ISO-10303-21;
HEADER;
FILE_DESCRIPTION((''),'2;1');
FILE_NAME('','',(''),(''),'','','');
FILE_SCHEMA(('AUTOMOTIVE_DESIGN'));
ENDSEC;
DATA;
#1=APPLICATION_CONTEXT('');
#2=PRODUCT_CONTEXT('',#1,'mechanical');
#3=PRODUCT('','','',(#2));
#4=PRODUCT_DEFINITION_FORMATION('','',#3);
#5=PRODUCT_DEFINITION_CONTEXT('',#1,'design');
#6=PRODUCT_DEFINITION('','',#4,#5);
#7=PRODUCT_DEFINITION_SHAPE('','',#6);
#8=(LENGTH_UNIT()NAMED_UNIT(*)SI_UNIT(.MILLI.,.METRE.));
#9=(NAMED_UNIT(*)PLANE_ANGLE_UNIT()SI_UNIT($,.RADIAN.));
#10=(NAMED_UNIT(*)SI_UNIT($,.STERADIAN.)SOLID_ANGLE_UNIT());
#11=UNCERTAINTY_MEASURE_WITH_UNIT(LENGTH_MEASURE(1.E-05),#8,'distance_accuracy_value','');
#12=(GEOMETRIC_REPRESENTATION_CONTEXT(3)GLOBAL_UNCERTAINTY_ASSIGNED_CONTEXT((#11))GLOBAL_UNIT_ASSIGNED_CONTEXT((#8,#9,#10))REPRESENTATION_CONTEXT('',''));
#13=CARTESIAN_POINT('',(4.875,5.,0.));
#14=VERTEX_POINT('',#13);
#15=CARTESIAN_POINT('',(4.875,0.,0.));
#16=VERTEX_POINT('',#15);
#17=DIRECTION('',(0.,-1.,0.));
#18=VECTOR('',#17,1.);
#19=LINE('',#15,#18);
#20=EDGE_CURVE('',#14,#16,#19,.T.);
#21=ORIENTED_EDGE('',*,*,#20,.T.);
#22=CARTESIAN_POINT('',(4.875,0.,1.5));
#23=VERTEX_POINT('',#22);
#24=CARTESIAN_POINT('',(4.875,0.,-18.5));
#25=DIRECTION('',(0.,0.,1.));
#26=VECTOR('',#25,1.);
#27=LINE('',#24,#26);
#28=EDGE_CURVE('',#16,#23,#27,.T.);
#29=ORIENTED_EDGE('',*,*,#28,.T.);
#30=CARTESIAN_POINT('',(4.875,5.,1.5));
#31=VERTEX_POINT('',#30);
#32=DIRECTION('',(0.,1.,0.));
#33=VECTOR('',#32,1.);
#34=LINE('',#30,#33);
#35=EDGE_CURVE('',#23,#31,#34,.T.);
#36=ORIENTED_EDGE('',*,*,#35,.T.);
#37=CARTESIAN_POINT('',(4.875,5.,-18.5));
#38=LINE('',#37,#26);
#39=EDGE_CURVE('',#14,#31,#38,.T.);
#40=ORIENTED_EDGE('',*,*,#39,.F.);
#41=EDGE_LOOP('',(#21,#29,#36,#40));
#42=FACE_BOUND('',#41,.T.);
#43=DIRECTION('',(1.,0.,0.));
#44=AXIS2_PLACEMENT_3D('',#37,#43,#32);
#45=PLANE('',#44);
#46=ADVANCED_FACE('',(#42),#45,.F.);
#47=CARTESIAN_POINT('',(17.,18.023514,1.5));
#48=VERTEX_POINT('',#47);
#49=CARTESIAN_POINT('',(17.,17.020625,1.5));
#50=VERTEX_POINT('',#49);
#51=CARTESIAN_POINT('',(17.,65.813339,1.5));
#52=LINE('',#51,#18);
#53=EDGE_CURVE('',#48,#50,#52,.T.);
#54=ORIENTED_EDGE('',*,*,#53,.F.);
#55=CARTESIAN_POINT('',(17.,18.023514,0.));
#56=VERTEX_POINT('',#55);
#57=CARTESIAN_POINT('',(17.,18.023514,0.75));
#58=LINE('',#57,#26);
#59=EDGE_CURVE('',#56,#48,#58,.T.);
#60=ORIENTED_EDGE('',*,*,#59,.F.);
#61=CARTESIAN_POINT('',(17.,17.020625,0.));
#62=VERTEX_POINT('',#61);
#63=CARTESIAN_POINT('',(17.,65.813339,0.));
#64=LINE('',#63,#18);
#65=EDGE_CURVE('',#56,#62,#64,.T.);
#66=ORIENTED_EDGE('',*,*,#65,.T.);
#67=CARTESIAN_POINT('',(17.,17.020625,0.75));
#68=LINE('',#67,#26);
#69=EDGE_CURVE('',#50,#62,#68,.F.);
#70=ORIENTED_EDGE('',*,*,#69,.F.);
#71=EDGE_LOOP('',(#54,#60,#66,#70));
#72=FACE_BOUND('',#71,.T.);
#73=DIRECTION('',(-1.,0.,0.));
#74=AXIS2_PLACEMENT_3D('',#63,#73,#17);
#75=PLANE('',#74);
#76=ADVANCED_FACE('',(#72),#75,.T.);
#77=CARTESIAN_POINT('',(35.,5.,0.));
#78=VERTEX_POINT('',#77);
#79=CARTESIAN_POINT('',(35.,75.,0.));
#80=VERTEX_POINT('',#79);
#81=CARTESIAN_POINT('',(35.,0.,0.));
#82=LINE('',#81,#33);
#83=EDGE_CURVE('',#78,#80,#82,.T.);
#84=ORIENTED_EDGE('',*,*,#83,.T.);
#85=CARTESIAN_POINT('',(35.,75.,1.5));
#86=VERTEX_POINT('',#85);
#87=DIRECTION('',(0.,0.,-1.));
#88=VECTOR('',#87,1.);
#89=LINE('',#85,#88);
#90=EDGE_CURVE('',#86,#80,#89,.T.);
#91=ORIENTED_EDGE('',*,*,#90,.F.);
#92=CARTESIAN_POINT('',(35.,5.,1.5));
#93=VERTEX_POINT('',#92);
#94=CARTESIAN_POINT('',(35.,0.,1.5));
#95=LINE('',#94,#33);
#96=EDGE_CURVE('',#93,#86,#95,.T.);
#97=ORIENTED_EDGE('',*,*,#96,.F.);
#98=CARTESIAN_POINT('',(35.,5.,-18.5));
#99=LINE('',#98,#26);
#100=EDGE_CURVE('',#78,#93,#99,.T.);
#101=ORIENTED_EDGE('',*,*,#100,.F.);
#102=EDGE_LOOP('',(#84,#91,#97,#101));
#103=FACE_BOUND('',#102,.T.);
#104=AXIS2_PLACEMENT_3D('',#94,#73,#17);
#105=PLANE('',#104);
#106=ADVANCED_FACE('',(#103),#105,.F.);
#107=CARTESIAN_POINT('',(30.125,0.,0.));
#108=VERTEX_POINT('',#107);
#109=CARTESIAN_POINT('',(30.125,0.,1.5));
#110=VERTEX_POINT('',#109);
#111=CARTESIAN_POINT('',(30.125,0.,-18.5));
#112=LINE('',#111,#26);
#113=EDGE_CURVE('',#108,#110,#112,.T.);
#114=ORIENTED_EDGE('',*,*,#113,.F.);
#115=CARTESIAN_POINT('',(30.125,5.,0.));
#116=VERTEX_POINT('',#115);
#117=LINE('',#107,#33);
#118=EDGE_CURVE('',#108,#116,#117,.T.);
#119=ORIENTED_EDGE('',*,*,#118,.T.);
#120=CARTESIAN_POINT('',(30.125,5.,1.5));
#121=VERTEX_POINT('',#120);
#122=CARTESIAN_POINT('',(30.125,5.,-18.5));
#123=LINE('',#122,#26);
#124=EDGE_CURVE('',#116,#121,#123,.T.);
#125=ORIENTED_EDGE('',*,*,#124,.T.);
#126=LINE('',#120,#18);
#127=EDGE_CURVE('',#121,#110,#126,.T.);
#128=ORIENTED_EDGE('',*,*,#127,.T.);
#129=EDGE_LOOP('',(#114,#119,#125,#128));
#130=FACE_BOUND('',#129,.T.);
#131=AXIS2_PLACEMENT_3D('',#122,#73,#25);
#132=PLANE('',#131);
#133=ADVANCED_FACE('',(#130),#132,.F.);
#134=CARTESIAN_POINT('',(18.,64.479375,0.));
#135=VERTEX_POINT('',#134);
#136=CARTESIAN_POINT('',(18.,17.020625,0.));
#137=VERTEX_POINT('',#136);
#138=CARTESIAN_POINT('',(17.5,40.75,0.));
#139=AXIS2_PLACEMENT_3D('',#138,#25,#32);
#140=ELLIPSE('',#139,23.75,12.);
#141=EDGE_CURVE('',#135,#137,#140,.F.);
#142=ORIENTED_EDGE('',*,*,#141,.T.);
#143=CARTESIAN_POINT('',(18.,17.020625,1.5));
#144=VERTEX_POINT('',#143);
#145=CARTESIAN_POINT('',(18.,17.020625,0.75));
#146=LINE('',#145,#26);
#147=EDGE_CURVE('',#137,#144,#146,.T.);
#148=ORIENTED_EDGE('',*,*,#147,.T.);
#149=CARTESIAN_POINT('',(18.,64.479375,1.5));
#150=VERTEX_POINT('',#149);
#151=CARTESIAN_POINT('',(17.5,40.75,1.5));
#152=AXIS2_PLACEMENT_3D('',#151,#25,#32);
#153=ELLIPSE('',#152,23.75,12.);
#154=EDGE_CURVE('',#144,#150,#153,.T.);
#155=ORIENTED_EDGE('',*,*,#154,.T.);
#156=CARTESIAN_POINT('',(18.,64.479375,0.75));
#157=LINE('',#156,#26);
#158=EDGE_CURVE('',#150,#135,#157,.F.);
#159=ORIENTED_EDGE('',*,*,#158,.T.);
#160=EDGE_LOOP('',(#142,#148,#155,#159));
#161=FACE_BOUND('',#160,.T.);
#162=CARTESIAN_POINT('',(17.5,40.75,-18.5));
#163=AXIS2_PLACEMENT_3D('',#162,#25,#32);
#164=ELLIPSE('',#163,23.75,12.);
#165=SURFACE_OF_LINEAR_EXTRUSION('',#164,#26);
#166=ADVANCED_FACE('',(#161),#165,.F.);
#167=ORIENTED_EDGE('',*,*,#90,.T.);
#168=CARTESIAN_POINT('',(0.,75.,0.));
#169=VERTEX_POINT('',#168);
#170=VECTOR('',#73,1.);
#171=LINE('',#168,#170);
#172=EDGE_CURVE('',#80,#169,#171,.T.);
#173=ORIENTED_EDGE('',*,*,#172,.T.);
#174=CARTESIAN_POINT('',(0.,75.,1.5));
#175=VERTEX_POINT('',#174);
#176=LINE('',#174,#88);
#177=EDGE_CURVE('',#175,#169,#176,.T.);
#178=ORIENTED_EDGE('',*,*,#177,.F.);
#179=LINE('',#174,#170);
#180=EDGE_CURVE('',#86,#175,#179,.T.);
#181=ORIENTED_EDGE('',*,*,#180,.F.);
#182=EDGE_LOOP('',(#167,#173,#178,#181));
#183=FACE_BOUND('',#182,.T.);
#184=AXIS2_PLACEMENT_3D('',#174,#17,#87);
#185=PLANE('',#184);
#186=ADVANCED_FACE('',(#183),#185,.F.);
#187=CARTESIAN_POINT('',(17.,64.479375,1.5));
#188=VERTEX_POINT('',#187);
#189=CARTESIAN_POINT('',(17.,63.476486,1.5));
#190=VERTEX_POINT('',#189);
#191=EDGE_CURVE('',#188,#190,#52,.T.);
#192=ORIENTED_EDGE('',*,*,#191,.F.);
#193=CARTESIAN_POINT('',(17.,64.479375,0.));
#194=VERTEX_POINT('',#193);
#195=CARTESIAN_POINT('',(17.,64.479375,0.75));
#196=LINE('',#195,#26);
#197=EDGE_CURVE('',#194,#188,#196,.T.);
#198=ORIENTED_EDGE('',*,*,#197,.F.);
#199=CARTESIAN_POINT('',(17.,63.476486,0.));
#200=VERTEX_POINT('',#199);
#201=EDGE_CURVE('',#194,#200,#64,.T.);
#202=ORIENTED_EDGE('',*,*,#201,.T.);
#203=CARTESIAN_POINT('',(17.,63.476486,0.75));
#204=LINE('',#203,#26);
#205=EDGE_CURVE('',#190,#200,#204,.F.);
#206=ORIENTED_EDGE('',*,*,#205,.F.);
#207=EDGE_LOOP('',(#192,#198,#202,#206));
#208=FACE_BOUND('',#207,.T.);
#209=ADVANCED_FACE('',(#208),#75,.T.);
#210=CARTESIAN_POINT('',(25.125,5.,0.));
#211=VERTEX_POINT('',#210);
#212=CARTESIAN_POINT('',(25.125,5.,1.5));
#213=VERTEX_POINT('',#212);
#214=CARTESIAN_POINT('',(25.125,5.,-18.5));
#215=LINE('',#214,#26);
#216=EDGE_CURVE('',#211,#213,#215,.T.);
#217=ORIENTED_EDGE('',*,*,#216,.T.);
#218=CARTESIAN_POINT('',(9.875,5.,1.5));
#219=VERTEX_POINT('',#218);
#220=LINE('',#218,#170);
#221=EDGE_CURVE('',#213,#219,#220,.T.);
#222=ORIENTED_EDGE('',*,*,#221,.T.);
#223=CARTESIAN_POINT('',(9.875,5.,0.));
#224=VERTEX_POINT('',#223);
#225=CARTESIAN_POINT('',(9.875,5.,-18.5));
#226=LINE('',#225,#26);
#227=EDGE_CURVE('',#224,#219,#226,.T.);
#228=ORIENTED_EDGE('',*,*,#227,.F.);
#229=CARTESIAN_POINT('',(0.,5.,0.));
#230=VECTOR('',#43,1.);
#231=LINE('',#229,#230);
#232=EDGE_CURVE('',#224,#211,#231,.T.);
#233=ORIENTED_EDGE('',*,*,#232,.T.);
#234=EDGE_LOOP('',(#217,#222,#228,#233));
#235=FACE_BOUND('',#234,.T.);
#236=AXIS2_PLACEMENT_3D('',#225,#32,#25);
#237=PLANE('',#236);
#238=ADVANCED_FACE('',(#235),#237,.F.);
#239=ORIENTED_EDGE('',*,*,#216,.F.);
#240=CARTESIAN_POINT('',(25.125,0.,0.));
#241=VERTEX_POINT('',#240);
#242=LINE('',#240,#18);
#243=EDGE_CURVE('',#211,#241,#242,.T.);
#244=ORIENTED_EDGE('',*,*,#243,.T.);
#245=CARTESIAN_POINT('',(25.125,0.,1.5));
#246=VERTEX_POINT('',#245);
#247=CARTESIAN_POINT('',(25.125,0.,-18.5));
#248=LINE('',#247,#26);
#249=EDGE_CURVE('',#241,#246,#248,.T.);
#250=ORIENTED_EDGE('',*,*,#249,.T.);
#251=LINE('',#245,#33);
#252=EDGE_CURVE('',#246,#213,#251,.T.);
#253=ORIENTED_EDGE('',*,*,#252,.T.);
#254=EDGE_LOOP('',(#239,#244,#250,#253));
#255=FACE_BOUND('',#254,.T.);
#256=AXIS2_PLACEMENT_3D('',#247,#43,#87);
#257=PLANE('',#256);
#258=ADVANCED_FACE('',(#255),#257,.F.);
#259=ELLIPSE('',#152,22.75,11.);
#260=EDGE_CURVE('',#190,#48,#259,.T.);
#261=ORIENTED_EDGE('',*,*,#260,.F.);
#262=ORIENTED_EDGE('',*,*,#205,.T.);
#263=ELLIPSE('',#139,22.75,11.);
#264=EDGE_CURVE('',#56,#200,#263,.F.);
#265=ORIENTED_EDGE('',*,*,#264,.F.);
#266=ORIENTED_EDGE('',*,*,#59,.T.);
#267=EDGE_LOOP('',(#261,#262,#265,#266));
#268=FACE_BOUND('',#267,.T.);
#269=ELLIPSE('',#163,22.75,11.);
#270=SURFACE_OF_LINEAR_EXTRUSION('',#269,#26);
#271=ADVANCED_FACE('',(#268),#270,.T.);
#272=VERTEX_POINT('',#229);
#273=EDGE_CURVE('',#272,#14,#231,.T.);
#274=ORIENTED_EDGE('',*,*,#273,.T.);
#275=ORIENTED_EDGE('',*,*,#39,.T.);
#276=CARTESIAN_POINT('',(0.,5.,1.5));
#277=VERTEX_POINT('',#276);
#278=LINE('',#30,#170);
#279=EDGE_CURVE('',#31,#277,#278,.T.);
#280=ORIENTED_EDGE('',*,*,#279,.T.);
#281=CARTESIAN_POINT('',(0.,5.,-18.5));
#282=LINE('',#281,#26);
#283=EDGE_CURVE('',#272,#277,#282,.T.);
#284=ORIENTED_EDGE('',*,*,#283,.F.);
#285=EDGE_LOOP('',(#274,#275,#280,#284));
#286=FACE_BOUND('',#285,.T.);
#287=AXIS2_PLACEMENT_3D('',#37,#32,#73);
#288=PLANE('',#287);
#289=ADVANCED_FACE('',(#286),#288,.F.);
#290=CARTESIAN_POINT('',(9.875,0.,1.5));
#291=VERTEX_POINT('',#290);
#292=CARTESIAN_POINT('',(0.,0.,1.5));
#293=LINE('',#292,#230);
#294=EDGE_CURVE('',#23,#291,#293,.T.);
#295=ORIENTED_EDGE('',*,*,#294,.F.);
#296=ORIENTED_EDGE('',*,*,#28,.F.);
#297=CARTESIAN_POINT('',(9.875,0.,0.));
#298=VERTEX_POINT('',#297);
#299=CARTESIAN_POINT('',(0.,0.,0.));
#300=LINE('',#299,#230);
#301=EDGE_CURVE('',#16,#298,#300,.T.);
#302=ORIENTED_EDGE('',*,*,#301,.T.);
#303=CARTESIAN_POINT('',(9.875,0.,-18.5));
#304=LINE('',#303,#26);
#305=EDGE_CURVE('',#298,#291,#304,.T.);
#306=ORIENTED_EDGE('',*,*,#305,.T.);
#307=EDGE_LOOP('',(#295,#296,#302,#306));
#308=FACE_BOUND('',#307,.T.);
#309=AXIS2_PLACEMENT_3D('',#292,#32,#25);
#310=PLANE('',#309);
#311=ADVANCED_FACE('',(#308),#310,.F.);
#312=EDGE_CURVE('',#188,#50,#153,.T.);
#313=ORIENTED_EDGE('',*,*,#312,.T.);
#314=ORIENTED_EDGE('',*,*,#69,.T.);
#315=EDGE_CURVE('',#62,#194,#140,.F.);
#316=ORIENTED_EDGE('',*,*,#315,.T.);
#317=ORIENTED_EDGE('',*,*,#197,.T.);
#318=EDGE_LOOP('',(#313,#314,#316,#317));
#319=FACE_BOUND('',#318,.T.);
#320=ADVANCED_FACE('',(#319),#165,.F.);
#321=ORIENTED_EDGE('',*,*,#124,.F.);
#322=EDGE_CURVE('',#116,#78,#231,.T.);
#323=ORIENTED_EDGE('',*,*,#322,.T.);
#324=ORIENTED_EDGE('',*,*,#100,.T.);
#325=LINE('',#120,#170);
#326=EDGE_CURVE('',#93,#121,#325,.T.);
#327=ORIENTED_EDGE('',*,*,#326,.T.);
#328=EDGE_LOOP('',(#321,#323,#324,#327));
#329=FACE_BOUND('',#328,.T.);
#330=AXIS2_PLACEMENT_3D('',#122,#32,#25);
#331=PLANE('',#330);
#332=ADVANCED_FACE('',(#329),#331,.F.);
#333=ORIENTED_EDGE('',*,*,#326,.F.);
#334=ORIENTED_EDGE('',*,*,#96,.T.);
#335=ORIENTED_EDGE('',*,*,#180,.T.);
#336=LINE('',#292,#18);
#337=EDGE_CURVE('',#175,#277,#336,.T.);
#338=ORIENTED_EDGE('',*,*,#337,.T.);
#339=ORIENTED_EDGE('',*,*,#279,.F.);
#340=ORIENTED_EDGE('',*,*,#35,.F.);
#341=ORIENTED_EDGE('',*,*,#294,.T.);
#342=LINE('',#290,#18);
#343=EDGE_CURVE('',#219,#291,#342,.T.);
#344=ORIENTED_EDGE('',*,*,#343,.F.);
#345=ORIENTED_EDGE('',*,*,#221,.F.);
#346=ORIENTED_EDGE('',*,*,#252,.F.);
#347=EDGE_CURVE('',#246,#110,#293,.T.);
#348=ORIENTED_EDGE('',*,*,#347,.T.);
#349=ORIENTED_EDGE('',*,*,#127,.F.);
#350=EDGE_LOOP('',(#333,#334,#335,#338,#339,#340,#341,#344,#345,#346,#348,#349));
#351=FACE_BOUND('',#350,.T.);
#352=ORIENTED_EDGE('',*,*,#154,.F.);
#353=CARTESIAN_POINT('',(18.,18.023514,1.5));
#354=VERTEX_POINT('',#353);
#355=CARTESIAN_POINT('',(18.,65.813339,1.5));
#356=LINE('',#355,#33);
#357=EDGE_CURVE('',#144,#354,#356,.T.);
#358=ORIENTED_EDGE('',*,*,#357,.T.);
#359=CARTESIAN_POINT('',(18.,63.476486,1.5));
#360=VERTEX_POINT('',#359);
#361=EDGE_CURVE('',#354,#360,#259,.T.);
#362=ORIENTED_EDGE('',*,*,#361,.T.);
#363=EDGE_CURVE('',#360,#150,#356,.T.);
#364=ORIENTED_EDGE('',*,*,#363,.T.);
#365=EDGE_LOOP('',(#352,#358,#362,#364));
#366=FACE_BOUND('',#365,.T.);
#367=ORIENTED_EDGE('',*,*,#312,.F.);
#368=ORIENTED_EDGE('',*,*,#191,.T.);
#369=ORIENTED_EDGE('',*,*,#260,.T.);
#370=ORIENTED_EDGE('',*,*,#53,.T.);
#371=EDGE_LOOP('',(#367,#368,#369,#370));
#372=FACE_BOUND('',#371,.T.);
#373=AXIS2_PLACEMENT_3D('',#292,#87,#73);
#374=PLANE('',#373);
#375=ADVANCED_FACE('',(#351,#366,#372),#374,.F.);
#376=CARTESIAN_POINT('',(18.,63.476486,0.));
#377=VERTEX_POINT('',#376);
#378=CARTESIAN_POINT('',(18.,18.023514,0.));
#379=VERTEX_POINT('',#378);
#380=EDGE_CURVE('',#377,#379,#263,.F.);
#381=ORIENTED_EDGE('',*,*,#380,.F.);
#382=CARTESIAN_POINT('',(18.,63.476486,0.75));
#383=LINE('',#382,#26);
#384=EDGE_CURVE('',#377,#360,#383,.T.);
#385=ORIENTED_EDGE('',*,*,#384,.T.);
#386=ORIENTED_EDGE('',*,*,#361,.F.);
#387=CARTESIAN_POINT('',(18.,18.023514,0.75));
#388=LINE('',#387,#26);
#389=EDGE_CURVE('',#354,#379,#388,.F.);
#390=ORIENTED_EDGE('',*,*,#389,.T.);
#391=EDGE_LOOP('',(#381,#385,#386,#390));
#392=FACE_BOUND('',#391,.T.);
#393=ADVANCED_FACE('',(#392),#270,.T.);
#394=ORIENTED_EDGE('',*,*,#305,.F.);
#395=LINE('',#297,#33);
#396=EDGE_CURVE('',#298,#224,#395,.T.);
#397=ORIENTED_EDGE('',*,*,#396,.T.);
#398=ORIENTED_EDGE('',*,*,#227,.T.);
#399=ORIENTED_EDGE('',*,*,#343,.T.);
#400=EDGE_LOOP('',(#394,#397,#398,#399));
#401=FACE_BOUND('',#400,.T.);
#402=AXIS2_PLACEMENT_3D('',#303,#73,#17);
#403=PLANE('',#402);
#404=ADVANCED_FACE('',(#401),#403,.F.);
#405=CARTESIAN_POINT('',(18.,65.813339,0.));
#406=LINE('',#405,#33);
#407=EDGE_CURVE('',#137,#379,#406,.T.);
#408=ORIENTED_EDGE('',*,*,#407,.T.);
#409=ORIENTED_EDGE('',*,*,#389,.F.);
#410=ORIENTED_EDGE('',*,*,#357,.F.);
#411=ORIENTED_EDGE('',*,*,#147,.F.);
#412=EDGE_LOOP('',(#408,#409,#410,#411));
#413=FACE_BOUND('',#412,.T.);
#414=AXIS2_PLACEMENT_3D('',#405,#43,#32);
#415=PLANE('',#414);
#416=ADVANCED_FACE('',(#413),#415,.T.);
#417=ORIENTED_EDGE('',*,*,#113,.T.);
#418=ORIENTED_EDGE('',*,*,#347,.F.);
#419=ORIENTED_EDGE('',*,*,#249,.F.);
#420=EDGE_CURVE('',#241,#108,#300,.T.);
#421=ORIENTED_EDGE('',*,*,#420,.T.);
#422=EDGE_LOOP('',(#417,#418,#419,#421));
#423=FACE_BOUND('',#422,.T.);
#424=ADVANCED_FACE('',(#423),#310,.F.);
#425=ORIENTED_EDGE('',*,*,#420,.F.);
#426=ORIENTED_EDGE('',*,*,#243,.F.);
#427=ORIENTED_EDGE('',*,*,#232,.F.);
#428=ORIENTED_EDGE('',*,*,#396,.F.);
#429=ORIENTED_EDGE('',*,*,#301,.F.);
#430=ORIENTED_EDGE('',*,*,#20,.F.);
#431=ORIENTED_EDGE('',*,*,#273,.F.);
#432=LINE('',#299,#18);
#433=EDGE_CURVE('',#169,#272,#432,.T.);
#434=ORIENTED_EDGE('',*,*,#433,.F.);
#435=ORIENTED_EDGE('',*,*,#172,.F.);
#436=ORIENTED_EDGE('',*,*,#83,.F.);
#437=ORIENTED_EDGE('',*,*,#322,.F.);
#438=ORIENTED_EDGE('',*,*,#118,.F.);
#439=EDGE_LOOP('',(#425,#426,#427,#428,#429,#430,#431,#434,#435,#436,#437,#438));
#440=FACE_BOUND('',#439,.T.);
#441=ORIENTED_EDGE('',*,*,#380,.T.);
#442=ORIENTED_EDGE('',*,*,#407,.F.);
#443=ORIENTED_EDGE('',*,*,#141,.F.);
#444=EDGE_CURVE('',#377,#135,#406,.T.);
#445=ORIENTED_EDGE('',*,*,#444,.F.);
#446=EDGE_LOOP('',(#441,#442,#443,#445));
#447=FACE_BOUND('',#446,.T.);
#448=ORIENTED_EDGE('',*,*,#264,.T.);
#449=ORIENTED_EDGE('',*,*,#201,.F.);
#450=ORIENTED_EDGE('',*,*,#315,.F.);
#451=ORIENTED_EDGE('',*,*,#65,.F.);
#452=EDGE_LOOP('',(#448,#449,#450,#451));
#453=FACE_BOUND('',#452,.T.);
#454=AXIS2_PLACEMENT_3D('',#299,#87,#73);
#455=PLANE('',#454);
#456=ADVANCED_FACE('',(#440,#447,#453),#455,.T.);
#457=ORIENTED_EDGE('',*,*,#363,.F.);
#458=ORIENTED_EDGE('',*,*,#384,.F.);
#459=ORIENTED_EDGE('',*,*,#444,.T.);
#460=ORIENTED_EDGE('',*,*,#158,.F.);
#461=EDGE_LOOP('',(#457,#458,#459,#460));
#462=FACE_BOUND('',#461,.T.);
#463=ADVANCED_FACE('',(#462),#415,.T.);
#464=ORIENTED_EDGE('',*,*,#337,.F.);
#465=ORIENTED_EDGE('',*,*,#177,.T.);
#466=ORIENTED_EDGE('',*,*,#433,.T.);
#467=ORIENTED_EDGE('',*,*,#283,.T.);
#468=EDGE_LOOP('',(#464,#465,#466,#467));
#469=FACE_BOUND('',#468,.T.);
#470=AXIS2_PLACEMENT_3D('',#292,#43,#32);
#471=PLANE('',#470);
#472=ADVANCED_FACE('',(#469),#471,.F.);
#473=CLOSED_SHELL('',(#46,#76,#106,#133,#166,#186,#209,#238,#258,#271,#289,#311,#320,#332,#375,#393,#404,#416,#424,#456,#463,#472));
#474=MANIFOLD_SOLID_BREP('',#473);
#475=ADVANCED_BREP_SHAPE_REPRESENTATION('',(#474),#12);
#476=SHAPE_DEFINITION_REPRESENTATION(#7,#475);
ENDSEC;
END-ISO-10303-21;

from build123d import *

# Parameters (mm, degrees)
SKIZZE1_W                        = 35
SKIZZE1_H                        = 75
AUFSATZ_LINEAR_AUSTRAGEN1_DEPTH  = 1.5
SKIZZE3_W                        = 15.25
SKIZZE3_H                        = 5
SKIZZE3_W_2                      = 4.875
SCHNITT_LINEAR_AUSTRAGEN12_DEPTH = 20
SKIZZE4_RX                       = 23.75
SKIZZE4_RY                       = 12
SKIZZE4_RX_2                     = 22.75
SKIZZE4_RY_2                     = 11
SCHNITT_LINEAR_AUSTRAGEN13_DEPTH = 20
SKIZZE6_W                        = 1
SKIZZE6_H                        = 52.800334248
AUFSATZ_LINEAR_AUSTRAGEN4_DEPTH  = 1.5


with BuildPart() as part:
    # Skizze1 → Aufsatz-Linear austragen1 (new body)
    with BuildSketch(Plane.XY):
        with Locations((17.5, 37.5)):
            Rectangle(SKIZZE1_W, SKIZZE1_H)
    extrude(amount=AUFSATZ_LINEAR_AUSTRAGEN1_DEPTH)

    # Skizze3 → Schnitt-Linear austragen12 (cut)
    with BuildSketch(Plane.XY.offset(1.5)):
        with Locations((17.5, 2.5)):
            Rectangle(SKIZZE3_W, SKIZZE3_H)
        with Locations((32.5625, 2.5)):
            Rectangle(SKIZZE3_W_2, SKIZZE3_H)
        with Locations((2.4375, 2.5)):
            Rectangle(SKIZZE3_W_2, SKIZZE3_H)
    extrude(amount=-SCHNITT_LINEAR_AUSTRAGEN12_DEPTH, mode=Mode.SUBTRACT)

    # Skizze4 → Schnitt-Linear austragen13 (cut)
    with BuildSketch(Plane.XY.offset(1.5)):
        with Locations(Location((17.5, 40.75), (0, 0, 90))):
            Ellipse(SKIZZE4_RX, SKIZZE4_RY)
        with Locations(Location((17.5, 40.75), (0, 0, 90))):
            Ellipse(SKIZZE4_RX_2, SKIZZE4_RY_2, mode=Mode.SUBTRACT)
    extrude(amount=-SCHNITT_LINEAR_AUSTRAGEN13_DEPTH, mode=Mode.SUBTRACT)


with BuildPart() as schnitt_linear_austragen13_piece_1:
    # of the separate pieces the step leaves, piece 1, a body of its own (schnitt_linear_austragen13_pieces)
    add(part.part.solids().sort_by_distance((4.875, 0, 0))[0])



with BuildPart() as schnitt_linear_austragen13_piece_2:
    # of the separate pieces the step leaves, piece 2, a body of its own (schnitt_linear_austragen13_pieces)
    add(part.part.solids().sort_by_distance((17.5, 63.5, 0))[0])


with BuildPart() as schnitt_linear_austragen13_piece_1_1:
    add(schnitt_linear_austragen13_piece_1.part)

    add(schnitt_linear_austragen13_piece_2.part)  # Aufsatz-Linear austragen4 merges Schnitt-Linear austragen13 piece 2
    # Skizze6 → Aufsatz-Linear austragen4 (add)
    with BuildSketch(Plane.XY.offset(1.5)):
        with Locations((17.5, 39.413172243)):
            Rectangle(SKIZZE6_W, SKIZZE6_H)
    extrude(amount=-AUFSATZ_LINEAR_AUSTRAGEN4_DEPTH)


solid = schnitt_linear_austragen13_piece_1_1.part
